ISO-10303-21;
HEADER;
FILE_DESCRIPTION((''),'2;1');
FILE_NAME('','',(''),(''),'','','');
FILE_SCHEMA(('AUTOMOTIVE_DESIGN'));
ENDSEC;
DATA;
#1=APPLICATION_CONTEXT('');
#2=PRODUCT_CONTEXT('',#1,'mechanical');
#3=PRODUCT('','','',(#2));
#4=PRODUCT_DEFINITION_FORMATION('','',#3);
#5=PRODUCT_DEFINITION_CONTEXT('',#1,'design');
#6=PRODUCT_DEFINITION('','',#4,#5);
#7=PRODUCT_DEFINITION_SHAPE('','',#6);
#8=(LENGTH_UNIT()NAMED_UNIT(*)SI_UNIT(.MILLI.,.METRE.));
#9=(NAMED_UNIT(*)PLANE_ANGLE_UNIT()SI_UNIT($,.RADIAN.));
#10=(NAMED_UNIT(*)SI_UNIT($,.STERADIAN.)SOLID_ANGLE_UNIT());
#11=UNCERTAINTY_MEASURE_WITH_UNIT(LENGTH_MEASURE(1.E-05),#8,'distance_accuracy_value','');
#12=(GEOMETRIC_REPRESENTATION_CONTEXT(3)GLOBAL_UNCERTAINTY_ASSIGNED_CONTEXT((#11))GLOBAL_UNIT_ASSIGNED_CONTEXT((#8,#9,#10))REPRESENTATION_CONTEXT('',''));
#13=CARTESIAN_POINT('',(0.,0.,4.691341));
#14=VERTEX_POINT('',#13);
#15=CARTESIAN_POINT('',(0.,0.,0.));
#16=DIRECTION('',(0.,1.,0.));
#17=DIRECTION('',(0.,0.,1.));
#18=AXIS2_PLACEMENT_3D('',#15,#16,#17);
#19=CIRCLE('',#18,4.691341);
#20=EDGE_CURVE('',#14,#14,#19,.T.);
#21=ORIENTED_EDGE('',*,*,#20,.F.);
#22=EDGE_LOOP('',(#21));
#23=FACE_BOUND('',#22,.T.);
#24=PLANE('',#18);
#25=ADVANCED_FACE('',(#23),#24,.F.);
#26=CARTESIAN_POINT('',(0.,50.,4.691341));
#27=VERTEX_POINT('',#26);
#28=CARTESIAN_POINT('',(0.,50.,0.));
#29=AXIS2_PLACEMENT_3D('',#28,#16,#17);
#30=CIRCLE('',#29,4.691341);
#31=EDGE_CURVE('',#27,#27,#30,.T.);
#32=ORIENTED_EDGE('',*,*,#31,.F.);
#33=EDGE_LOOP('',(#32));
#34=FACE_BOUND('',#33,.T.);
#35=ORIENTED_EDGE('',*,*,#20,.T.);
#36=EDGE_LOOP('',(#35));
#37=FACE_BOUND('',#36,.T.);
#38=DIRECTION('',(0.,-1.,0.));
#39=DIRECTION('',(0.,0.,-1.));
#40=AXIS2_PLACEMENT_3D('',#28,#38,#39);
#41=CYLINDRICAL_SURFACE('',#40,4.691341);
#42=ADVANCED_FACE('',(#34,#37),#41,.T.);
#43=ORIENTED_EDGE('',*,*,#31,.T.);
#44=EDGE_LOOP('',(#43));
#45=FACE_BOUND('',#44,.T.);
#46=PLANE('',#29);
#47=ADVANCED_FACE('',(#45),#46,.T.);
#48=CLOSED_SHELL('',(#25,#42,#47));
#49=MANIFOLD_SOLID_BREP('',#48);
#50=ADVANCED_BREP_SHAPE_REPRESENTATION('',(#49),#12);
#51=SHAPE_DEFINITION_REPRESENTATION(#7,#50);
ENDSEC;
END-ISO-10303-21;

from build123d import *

# Parameters (mm, degrees)
SKETCH1_R           = 4.691340961
BOSS_EXTRUDE1_DEPTH = 50


with BuildPart() as part:
    # Sketch1 → Boss-Extrude1 (new body)
    with BuildSketch(Plane(origin=(0, 0, 0), x_dir=(1, 0, 0), z_dir=(0, 1, 0))):
        with Locations(Location((0, 0, 0), (0, 0, 270))):
            Circle(SKETCH1_R)
    extrude(amount=BOSS_EXTRUDE1_DEPTH)


solid = part.part
